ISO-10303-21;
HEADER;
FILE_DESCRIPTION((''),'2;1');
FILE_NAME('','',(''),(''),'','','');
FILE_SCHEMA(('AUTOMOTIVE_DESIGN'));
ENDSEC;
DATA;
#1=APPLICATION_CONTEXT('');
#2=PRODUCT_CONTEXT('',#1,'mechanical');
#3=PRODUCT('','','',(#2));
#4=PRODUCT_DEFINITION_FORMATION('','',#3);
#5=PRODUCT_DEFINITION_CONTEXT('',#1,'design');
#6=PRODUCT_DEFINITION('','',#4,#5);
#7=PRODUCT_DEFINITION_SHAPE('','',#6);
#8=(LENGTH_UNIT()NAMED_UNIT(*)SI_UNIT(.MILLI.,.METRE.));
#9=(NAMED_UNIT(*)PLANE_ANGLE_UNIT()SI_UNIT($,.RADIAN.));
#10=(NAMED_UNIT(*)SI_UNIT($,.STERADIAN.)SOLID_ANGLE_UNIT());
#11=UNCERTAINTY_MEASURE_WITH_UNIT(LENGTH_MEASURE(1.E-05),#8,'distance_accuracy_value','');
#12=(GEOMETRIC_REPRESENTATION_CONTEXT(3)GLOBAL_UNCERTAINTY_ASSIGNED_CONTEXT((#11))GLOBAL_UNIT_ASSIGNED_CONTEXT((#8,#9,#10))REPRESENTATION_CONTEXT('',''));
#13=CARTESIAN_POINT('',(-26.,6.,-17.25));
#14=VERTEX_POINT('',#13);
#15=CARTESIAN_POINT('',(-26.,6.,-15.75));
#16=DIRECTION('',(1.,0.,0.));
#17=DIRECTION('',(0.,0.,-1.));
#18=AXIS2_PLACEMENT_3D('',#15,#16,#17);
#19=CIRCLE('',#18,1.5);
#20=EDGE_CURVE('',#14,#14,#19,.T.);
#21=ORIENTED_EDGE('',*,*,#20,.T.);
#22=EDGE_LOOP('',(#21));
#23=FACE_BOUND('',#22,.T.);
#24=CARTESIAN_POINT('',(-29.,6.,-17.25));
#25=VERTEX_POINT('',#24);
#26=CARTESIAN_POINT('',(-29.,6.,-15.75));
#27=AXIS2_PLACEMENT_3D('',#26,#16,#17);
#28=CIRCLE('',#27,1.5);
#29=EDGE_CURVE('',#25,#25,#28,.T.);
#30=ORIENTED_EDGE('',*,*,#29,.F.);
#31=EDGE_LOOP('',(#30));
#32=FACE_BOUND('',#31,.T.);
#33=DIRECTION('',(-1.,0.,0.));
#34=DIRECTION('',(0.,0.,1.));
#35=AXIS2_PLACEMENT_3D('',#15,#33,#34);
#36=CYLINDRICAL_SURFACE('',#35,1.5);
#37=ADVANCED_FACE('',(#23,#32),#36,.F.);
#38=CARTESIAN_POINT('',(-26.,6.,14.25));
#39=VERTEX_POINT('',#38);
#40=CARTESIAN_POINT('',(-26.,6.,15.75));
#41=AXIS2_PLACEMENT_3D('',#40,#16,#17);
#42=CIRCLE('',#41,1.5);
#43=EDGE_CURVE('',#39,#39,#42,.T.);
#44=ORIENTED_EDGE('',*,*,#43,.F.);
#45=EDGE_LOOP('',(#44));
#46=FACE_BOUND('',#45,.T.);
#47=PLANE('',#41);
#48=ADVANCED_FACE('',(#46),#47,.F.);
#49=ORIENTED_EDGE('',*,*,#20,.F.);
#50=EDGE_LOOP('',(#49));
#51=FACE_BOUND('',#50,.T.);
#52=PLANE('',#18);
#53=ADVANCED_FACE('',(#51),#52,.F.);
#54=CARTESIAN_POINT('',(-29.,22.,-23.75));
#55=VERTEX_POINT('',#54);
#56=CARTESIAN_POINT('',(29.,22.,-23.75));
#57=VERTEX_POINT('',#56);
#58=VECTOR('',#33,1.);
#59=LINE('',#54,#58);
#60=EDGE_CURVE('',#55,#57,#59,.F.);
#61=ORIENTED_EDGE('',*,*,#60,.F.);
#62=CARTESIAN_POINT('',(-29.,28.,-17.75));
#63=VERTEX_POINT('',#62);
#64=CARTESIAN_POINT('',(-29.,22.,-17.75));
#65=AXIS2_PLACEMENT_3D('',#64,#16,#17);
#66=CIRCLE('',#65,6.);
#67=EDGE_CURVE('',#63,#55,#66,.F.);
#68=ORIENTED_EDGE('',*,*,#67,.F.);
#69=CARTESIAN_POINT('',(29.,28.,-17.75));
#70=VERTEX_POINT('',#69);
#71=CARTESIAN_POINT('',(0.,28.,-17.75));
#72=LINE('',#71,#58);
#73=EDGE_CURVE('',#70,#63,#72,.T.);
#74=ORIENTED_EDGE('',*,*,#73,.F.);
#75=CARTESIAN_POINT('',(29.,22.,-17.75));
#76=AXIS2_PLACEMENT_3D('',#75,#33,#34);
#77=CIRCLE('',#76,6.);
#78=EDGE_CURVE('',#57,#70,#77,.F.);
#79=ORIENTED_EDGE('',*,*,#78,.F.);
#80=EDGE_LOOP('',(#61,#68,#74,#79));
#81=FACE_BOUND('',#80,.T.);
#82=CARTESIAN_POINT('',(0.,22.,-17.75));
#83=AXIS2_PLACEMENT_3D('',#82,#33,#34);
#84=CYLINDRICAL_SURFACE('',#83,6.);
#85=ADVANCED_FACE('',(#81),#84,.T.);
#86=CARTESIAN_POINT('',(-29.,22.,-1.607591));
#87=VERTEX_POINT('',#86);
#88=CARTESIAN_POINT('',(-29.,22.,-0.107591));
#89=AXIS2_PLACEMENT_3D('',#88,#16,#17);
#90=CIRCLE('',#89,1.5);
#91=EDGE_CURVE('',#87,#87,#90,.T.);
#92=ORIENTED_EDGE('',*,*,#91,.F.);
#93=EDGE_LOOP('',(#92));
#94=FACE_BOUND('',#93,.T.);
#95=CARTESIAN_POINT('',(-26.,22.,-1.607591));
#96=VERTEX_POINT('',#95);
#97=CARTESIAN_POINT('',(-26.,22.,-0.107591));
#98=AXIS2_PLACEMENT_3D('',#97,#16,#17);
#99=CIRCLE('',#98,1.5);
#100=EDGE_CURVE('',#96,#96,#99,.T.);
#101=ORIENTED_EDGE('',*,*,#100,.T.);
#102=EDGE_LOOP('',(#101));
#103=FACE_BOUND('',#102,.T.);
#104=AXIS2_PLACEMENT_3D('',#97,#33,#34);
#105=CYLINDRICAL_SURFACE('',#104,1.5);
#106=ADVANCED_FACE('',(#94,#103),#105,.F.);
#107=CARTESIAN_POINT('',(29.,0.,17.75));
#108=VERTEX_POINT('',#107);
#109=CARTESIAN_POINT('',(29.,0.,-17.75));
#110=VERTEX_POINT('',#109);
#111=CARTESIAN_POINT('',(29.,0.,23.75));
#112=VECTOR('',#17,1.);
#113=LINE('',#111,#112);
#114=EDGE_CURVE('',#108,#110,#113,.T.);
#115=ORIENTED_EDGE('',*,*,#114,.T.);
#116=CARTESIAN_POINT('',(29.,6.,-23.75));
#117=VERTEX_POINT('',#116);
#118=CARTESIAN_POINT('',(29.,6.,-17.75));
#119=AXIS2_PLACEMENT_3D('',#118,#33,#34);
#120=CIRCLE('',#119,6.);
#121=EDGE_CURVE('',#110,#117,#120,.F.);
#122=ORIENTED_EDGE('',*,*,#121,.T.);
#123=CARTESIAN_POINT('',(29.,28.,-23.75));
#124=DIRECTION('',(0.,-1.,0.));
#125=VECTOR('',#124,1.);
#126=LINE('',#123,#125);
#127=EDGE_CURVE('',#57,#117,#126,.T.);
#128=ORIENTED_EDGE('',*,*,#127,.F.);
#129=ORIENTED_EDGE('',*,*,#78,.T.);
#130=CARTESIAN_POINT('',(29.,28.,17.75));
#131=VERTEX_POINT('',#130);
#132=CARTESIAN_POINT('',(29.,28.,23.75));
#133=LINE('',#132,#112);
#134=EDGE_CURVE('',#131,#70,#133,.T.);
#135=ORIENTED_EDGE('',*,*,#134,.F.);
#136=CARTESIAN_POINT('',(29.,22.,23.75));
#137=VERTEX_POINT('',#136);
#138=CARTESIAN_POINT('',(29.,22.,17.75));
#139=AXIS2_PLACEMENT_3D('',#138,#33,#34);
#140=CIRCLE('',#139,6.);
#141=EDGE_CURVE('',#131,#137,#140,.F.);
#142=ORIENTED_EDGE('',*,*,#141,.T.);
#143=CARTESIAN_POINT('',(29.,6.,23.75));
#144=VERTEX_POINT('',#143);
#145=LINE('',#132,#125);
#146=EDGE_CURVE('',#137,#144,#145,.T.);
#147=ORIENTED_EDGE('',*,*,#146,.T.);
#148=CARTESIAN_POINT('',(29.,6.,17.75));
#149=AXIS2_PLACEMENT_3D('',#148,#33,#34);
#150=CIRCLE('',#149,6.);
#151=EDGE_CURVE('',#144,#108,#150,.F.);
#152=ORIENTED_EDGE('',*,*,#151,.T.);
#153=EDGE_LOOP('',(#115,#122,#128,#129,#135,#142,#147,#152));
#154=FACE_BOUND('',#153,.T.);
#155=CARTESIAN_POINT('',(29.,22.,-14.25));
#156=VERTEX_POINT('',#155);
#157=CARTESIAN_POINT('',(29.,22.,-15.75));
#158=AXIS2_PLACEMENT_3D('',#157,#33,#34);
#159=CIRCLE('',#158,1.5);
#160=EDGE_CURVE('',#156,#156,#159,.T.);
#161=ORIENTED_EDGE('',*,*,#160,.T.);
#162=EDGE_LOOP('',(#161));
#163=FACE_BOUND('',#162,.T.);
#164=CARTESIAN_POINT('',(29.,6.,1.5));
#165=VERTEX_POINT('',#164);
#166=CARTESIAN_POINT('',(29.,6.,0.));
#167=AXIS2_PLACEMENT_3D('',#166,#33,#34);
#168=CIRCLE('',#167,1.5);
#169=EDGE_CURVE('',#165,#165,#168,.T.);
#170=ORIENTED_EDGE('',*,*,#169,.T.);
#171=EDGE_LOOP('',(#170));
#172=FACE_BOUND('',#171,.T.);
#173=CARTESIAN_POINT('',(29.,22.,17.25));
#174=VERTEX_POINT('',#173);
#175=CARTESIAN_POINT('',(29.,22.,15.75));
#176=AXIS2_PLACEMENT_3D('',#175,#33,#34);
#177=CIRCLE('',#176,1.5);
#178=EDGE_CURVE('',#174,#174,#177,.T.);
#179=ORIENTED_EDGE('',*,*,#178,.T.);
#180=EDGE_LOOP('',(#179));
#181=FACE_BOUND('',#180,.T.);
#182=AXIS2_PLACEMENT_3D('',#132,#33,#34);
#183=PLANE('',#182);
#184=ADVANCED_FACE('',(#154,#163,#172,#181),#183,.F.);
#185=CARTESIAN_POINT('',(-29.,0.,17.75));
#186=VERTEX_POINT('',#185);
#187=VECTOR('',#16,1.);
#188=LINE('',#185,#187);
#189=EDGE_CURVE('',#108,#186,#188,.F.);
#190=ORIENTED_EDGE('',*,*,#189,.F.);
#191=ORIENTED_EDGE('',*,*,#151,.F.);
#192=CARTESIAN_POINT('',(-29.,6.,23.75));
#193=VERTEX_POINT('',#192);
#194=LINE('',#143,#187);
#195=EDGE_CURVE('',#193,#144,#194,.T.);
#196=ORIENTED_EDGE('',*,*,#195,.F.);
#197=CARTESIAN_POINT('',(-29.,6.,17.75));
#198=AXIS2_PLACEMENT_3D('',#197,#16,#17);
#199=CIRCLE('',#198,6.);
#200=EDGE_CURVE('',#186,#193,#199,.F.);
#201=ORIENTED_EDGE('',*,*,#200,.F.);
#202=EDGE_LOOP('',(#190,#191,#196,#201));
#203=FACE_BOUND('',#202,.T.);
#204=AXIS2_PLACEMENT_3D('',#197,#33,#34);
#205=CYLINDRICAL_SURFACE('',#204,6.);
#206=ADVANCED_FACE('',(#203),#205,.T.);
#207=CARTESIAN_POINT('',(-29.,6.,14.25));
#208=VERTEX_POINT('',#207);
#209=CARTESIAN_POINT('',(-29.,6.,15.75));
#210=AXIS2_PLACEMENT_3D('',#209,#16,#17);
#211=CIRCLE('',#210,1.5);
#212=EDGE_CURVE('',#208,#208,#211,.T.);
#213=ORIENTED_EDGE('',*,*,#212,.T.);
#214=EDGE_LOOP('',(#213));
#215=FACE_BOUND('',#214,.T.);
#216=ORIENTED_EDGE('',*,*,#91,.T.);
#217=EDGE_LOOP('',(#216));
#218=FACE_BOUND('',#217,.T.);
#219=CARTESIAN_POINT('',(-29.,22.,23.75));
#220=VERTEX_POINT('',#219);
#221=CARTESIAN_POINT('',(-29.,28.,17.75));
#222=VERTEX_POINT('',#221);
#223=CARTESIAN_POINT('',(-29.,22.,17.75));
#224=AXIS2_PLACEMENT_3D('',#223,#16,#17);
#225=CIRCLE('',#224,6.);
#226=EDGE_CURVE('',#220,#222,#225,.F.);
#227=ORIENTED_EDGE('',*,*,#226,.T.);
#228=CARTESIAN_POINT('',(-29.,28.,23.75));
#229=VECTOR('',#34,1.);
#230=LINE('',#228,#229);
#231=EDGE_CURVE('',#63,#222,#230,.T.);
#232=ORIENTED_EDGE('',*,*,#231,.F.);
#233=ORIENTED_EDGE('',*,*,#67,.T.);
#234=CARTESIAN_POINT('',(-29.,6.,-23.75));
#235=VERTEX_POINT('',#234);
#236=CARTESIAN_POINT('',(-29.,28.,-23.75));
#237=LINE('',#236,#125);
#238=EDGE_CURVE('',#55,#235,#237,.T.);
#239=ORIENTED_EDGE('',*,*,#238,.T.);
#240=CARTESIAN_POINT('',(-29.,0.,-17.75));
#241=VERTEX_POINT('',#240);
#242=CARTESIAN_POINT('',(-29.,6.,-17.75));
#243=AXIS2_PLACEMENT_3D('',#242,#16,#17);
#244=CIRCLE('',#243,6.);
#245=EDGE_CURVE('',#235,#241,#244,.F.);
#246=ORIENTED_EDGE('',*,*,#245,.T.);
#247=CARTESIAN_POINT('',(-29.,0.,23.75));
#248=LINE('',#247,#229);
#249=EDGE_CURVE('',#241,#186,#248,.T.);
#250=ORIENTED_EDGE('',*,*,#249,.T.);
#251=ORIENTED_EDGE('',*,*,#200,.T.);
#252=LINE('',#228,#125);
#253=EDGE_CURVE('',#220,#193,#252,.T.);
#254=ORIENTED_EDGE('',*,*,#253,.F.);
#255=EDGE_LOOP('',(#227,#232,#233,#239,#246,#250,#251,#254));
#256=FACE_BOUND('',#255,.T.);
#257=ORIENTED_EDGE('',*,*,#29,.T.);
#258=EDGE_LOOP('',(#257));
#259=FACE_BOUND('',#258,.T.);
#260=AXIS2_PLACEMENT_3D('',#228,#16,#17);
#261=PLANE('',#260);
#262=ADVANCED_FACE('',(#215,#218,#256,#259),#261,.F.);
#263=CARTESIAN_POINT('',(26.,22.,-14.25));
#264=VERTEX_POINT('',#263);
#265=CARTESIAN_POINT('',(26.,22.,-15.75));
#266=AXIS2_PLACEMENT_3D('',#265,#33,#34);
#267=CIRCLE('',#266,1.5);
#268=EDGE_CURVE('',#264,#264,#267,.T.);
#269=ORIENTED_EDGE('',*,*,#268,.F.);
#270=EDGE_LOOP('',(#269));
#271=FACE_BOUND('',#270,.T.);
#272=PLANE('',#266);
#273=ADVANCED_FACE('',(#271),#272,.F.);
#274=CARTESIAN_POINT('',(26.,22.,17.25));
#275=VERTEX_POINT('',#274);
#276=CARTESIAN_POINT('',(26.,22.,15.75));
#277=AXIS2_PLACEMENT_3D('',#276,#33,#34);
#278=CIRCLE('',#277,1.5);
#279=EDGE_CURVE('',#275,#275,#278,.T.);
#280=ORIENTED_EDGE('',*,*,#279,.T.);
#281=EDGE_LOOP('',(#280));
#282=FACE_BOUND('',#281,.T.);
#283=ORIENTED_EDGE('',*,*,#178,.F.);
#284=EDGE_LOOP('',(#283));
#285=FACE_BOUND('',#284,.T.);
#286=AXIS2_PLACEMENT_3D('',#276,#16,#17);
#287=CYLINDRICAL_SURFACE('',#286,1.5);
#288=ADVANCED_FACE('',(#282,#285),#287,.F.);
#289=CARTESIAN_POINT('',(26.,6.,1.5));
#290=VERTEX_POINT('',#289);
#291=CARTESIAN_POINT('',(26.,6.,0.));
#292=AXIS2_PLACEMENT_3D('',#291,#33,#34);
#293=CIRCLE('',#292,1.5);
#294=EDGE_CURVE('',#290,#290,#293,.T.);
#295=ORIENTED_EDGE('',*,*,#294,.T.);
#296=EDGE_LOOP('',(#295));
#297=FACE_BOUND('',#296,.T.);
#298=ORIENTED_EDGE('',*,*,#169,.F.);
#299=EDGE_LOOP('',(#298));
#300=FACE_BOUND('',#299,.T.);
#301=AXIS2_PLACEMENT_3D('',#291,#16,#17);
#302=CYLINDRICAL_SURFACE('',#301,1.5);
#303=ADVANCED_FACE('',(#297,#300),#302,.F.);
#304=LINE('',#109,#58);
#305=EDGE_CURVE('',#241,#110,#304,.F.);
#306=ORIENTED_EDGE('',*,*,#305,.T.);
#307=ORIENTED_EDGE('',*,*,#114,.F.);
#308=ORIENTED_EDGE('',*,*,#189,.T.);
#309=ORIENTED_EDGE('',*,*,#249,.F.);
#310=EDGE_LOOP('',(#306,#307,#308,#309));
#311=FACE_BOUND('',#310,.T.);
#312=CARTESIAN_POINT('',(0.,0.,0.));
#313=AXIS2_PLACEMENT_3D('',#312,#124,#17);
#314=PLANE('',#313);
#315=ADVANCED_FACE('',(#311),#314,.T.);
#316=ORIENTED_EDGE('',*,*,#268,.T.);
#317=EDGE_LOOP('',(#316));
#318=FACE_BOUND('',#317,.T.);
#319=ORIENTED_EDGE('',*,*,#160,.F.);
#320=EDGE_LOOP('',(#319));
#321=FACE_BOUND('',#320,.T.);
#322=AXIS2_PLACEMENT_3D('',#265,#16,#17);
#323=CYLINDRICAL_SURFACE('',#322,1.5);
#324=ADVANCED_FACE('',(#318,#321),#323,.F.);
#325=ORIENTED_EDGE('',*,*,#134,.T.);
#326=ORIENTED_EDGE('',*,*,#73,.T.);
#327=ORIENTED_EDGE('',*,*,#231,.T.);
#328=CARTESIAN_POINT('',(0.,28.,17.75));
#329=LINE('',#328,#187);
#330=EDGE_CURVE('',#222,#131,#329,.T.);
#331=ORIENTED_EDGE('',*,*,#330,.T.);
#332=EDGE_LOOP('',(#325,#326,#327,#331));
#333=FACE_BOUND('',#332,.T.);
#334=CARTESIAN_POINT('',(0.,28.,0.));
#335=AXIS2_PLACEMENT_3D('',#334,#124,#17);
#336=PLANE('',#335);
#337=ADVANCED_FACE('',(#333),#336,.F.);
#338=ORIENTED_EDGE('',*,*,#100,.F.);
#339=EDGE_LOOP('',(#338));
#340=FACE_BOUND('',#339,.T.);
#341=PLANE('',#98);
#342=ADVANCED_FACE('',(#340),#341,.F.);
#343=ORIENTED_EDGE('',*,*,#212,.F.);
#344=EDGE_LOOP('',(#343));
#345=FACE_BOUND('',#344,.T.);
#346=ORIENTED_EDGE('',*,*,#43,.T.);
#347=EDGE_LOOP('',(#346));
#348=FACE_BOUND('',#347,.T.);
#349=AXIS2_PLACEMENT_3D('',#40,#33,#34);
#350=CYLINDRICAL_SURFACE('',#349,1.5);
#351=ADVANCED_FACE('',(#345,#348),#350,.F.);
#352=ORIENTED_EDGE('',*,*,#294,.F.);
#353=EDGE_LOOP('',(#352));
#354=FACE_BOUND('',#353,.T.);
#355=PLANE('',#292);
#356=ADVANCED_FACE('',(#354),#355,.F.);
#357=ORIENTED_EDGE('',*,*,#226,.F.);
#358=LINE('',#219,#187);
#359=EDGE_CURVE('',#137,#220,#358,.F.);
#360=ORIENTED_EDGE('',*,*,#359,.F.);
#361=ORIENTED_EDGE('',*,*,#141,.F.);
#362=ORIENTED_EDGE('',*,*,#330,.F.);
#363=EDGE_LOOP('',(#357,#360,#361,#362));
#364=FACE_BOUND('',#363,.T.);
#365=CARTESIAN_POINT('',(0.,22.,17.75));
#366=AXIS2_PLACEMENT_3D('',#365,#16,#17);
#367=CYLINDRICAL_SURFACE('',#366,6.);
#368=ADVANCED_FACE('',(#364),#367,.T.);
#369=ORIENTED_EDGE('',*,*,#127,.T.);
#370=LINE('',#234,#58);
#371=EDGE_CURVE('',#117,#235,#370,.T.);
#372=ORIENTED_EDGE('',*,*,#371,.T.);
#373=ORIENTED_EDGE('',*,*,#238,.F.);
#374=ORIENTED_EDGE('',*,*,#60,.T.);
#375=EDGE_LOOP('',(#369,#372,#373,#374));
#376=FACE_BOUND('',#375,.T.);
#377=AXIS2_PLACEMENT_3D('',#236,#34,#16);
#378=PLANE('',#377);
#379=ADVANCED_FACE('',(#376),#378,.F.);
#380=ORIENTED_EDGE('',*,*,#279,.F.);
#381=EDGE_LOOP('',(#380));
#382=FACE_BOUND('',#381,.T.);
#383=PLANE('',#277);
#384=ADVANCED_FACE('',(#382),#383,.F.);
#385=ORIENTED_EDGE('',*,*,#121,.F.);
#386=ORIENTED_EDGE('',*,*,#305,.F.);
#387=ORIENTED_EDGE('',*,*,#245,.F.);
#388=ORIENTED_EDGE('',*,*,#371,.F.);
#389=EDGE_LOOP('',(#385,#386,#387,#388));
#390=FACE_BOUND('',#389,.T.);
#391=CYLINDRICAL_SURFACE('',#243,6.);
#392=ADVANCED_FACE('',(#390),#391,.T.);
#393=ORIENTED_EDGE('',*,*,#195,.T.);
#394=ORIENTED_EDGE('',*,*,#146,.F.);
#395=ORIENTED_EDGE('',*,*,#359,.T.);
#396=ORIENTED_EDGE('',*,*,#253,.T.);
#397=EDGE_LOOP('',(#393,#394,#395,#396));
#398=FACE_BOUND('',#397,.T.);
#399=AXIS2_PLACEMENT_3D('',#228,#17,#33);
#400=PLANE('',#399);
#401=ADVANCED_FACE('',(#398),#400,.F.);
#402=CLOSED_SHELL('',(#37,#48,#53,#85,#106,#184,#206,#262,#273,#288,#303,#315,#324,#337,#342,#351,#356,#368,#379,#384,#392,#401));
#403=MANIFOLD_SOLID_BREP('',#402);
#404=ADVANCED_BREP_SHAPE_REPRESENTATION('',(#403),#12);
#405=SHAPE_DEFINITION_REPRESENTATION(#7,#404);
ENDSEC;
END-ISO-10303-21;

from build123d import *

# Parameters (mm, degrees)
SKETCH1_W           = 58
SKETCH1_H           = 47.5
BOSS_EXTRUDE1_DEPTH = 28
FILLET3_R           = 6
SKETCH2_R           = 1.5
CUT_EXTRUDE1_DEPTH  = 3
CUT_EXTRUDE2_START  = -29
SKETCH3_R           = 1.5
CUT_EXTRUDE2_DEPTH  = 3


with BuildPart() as part:
    # Sketch1 → Boss-Extrude1 (new body)
    with BuildSketch(Plane(origin=(0, 0, 0), x_dir=(1, 0, 0), z_dir=(0, 1, 0))):
        Rectangle(SKETCH1_W, SKETCH1_H)
    extrude(amount=BOSS_EXTRUDE1_DEPTH)

    # Fillet3
    fillet3_edges = [part.edges().sort_by_distance(p)[0] for p in [
        (0, 28, 23.75),
        (0, 0, 23.75),
        (0, 0, -23.75),
        (0, 28, -23.75),
    ]]
    fillet(fillet3_edges, radius=FILLET3_R)

    # Sketch2 → Cut-Extrude1 (cut)
    with BuildSketch(Plane(origin=(29, 0, 0), x_dir=(0, 0, -1), z_dir=(1, 0, 0))):
        with Locations((0, 6)):
            Circle(SKETCH2_R)
        with Locations((-15.75, 22)):
            Circle(SKETCH2_R)
        with Locations((15.75, 22)):
            Circle(SKETCH2_R)
    extrude(amount=-CUT_EXTRUDE1_DEPTH, mode=Mode.SUBTRACT)

    # Sketch3 → Cut-Extrude2 (cut)
    with BuildSketch(Plane(origin=(0, 0, 0), x_dir=(0, 0, -1), z_dir=(1, 0, 0)).offset(CUT_EXTRUDE2_START)):
        with Locations((0.107591006, 22)):
            Circle(SKETCH3_R)
        with Locations((-15.75, 6)):
            Circle(SKETCH3_R)
        with Locations((15.75, 6)):
            Circle(SKETCH3_R)
    extrude(amount=CUT_EXTRUDE2_DEPTH, mode=Mode.SUBTRACT)


solid = part.part
